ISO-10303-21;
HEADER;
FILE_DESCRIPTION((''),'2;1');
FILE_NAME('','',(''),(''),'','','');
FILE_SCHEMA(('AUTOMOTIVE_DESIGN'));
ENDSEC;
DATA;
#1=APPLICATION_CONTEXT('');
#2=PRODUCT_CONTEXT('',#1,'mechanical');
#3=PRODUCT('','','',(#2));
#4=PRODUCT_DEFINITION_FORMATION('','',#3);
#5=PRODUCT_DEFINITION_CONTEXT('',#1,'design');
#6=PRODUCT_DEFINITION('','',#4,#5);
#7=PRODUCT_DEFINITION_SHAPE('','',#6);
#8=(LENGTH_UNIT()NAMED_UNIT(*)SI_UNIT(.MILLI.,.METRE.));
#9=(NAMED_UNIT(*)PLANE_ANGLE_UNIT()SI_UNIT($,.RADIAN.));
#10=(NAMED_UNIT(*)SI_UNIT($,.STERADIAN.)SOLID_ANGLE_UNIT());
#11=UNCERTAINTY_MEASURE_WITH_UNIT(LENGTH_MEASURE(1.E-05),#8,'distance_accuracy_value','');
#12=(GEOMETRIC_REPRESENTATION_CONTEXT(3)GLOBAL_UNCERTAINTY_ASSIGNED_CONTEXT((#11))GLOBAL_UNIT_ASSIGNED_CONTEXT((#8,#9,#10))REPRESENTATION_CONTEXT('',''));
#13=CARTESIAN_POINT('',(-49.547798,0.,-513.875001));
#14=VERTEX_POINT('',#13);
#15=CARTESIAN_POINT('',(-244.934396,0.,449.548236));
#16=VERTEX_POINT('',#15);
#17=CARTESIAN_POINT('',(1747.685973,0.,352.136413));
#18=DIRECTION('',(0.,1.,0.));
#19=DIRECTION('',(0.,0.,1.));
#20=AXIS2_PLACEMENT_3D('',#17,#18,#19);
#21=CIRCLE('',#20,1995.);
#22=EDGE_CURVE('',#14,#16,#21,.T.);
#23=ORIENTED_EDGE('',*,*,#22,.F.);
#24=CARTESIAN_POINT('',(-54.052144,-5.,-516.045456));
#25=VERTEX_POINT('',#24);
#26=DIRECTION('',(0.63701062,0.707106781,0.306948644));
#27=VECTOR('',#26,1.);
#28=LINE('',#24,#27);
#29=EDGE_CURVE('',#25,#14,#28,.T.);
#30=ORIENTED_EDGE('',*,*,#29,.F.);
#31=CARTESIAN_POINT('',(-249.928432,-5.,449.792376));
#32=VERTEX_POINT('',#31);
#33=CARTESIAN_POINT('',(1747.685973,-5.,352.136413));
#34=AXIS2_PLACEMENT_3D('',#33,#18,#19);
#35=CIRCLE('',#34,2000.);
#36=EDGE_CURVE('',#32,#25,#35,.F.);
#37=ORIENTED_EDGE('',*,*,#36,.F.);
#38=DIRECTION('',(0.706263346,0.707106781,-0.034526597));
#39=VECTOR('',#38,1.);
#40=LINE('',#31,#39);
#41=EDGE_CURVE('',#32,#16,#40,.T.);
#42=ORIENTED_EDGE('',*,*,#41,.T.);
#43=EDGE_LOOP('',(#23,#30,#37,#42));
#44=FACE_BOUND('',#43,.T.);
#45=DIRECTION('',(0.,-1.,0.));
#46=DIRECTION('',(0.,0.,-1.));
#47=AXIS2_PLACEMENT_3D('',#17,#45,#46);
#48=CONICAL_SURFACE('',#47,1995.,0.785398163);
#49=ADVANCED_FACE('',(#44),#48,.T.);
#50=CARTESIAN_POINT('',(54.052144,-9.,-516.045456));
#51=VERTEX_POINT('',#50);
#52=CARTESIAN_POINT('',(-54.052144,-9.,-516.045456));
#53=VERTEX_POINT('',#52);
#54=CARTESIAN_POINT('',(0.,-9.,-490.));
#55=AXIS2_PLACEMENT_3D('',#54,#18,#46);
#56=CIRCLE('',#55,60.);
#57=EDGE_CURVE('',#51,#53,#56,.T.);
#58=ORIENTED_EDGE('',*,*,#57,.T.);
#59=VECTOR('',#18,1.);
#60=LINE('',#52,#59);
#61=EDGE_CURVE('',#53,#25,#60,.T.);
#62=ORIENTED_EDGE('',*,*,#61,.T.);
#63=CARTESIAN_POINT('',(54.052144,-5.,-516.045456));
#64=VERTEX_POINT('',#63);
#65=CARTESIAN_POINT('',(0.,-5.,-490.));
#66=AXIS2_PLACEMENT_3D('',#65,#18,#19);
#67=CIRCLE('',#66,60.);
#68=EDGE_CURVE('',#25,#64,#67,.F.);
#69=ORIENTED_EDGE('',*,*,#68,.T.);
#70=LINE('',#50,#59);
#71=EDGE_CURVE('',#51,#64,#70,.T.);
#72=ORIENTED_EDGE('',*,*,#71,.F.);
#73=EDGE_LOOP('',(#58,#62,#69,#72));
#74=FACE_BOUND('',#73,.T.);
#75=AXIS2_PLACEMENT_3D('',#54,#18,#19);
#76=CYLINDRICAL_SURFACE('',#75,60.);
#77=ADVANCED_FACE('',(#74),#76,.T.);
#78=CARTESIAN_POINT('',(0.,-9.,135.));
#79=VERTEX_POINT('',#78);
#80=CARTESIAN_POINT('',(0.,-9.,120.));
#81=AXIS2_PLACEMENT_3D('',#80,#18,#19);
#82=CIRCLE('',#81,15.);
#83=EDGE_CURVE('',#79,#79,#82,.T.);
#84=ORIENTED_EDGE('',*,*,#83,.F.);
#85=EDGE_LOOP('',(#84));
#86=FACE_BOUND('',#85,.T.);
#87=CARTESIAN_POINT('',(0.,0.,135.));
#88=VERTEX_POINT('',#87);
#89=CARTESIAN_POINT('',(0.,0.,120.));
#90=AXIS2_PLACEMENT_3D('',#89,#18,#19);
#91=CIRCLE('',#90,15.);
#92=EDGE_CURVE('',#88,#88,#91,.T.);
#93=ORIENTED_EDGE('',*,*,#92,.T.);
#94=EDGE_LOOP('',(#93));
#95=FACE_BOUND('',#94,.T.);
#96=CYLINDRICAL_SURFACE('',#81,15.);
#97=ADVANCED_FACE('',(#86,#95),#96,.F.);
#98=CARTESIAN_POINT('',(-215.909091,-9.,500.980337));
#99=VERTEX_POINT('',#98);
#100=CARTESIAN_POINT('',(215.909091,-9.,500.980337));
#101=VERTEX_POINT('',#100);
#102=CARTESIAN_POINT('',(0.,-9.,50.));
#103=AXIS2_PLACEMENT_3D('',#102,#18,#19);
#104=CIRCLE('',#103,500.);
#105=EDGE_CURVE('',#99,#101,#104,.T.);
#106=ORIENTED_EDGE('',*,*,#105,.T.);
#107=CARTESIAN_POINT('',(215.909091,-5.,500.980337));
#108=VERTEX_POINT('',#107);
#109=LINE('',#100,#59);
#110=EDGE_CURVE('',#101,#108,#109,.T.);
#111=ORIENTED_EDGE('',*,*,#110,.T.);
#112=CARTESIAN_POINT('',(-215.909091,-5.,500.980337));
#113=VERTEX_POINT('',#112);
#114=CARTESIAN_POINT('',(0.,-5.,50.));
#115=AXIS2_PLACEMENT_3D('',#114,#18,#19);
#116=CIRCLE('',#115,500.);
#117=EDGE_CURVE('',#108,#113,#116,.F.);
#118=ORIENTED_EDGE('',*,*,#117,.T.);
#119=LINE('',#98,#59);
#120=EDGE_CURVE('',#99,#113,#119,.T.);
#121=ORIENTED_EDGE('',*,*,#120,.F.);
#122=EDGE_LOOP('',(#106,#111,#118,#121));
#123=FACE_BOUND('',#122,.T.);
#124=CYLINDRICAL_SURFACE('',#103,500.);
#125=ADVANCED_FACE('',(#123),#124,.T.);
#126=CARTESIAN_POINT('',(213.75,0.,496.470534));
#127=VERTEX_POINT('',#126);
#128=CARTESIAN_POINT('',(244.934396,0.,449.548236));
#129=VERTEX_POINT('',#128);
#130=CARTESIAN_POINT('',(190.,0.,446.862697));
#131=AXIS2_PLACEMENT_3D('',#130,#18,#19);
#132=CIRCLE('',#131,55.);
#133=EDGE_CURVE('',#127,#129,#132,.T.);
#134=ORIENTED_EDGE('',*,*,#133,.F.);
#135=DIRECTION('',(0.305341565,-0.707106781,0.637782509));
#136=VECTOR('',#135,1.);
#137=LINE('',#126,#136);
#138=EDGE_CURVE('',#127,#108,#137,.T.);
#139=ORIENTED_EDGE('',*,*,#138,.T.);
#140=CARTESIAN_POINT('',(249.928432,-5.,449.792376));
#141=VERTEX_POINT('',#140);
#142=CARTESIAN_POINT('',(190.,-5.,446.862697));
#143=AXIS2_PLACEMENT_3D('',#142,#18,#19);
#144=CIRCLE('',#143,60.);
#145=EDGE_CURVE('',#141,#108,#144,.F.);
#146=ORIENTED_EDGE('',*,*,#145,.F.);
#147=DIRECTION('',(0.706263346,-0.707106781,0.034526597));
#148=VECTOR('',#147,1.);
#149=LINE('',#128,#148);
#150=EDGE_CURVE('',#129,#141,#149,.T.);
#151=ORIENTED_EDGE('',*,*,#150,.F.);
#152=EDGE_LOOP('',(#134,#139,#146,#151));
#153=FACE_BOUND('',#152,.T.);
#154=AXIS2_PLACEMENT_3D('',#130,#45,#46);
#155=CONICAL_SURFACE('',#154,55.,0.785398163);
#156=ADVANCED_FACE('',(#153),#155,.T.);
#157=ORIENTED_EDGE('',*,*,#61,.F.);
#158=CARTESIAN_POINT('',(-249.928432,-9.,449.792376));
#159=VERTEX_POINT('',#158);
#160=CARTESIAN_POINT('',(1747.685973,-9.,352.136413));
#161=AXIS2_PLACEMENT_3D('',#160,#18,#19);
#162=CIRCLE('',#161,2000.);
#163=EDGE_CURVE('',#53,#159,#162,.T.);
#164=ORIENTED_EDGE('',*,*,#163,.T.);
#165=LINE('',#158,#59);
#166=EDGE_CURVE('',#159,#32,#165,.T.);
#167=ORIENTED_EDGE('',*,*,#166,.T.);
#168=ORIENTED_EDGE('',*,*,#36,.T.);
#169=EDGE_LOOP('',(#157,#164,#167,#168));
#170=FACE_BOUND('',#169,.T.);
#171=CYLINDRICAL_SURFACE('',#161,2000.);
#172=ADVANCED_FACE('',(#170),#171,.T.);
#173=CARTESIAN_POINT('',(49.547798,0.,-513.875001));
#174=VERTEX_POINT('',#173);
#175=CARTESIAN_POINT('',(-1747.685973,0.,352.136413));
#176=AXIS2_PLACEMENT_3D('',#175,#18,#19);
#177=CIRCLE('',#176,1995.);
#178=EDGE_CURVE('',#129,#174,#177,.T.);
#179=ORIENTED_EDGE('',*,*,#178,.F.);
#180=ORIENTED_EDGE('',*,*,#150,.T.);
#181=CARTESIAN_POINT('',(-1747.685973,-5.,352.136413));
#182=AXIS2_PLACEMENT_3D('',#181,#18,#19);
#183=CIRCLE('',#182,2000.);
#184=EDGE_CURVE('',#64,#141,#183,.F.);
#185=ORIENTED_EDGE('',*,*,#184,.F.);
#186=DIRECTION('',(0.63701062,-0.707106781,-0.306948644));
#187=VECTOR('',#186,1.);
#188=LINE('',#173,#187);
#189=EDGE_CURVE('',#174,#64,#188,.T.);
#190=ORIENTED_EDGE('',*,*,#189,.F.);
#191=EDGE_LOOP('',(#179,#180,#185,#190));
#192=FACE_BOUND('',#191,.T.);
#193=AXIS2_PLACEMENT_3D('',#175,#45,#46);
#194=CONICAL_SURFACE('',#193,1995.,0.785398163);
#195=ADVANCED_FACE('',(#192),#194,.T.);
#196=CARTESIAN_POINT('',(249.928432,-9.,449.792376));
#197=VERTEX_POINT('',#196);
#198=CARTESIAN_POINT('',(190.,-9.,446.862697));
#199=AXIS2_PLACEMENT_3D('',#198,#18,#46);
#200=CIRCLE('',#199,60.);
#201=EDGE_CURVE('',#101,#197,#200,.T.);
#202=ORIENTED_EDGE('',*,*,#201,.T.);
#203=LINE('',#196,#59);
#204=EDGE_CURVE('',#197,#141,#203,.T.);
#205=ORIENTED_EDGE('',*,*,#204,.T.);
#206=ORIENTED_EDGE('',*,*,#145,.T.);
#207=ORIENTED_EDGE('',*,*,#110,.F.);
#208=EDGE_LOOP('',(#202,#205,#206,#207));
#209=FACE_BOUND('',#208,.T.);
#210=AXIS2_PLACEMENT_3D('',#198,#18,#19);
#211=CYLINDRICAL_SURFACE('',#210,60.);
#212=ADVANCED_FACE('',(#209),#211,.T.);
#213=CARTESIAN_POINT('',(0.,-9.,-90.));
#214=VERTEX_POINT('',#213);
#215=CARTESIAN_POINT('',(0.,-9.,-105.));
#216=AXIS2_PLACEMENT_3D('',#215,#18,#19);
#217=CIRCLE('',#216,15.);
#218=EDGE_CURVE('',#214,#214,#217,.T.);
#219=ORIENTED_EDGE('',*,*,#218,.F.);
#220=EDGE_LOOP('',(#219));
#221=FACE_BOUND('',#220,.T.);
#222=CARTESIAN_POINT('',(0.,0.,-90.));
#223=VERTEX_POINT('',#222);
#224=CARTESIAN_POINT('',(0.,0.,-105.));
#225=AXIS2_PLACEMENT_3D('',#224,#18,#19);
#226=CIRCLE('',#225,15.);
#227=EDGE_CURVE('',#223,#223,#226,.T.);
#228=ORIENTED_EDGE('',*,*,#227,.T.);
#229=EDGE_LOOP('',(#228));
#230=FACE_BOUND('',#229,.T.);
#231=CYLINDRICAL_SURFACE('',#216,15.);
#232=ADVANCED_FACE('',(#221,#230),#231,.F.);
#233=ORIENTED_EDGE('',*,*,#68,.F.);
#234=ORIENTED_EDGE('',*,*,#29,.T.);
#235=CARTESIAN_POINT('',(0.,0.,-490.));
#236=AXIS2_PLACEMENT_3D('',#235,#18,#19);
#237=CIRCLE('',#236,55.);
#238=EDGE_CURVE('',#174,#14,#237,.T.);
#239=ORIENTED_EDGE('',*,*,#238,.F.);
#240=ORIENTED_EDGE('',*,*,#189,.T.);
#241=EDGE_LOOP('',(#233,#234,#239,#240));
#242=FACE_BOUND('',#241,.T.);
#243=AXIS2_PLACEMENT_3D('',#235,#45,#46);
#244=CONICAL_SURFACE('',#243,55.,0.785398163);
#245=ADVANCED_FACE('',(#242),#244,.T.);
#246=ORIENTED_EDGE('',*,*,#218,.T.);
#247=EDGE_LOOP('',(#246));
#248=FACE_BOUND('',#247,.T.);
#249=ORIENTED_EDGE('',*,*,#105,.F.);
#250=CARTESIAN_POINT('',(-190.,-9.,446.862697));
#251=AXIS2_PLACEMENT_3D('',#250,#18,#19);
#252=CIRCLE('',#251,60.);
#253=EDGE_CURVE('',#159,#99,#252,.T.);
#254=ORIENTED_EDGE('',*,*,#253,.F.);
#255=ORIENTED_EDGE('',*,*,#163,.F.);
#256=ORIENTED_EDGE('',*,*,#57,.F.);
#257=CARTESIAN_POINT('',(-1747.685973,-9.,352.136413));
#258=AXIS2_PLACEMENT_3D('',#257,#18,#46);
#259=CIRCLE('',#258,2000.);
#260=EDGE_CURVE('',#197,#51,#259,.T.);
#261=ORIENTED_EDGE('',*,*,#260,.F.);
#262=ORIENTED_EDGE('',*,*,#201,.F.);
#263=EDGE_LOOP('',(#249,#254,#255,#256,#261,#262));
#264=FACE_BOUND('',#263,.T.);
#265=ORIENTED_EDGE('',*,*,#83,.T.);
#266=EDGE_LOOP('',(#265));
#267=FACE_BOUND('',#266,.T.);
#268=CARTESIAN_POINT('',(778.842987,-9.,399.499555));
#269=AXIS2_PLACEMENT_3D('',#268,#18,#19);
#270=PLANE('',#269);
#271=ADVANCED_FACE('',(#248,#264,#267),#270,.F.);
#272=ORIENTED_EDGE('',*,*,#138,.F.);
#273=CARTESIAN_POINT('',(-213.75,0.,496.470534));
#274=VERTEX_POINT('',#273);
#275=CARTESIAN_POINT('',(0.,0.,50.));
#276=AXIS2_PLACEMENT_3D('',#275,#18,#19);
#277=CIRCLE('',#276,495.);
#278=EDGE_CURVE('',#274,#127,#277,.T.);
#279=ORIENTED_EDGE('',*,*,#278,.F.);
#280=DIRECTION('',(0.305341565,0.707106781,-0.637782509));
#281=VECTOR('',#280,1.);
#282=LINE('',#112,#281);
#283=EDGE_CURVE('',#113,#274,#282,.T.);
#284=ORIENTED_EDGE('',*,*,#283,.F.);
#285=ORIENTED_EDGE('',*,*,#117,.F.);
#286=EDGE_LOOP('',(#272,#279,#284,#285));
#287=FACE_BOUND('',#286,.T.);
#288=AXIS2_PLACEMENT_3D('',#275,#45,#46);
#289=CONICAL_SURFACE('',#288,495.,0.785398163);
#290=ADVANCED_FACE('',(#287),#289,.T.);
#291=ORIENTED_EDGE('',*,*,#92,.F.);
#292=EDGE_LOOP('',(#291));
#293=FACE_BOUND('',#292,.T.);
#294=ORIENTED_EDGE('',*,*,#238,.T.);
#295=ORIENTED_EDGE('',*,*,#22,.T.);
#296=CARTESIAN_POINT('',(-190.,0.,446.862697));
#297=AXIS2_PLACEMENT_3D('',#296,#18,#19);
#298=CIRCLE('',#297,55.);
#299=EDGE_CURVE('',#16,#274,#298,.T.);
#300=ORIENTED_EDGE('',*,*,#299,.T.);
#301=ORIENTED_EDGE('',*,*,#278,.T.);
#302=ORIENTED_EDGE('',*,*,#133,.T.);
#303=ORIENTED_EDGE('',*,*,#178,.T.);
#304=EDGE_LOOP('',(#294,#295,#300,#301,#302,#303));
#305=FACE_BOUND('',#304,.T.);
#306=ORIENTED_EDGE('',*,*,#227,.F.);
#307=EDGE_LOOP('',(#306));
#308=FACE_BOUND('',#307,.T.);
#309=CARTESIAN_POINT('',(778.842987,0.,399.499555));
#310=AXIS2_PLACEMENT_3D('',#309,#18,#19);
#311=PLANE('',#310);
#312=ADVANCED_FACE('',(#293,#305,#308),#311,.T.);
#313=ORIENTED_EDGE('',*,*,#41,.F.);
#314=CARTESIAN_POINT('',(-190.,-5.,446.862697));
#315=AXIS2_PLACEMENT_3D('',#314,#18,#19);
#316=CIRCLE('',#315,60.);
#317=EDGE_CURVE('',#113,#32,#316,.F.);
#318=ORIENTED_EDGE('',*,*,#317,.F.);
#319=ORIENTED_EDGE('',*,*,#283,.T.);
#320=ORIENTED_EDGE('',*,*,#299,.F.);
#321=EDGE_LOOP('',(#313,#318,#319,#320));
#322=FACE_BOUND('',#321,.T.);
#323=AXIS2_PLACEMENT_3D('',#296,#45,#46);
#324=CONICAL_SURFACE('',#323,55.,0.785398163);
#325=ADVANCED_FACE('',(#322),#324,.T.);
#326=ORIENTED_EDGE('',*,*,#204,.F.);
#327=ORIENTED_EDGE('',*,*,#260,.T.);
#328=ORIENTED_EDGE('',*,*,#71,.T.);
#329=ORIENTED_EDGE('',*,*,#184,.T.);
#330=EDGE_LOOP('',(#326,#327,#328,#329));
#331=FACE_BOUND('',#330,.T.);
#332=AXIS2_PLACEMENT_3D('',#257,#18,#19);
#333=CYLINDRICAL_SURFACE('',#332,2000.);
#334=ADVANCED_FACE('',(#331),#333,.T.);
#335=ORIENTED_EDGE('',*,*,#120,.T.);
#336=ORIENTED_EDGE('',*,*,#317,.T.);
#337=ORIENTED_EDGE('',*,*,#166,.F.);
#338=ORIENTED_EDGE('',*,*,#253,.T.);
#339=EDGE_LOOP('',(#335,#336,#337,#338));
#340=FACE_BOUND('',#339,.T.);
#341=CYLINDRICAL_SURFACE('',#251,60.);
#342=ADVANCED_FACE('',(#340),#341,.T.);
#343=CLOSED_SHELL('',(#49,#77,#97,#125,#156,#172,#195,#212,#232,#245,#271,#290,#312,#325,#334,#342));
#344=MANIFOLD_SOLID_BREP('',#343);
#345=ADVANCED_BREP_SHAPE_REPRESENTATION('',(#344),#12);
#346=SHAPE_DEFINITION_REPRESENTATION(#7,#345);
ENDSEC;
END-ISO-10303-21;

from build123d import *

# Parameters (mm, degrees)
BOSS_EXTRUDE1_DEPTH = 9
CHAMFER1_SIZE       = 5
SKETCH2_R           = 15
CUT_EXTRUDE1_DEPTH  = 606.180442557


with BuildPart() as part:
    # Sketch1 → Boss-Extrude1 (new body)
    with BuildSketch(Plane(origin=(0, 0, 0), x_dir=(1, 0, 0), z_dir=(0, 1, 0))):
        with BuildLine():
            ThreePointArc((-54.052143505, 516.045456082), (0, 550), (54.052143505, 516.045456082))
            ThreePointArc((54.052143505, 516.045456082), (212.411110101, 45.380156813), (249.928432165, -449.792375526))
            ThreePointArc((249.928432165, -449.792375526), (239.970710869, -480.073057321), (215.909090909, -500.980337113))
            ThreePointArc((215.909090909, -500.980337113), (0, -550), (-215.909090909, -500.980337113))
            ThreePointArc((-215.909090909, -500.980337113), (-239.970710869, -480.073057321), (-249.928432165, -449.792375526))
            ThreePointArc((-249.928432165, -449.792375526), (-212.411110101, 45.380156813), (-54.052143505, 516.045456082))
        make_face()
    extrude(amount=-BOSS_EXTRUDE1_DEPTH)

    # Chamfer1
    chamfer1_edges = [part.edges().sort_by_distance(p)[0] for p in [
        (0, 0, -550),
        (212.411110101, 0, -45.380156813),
        (239.970710869, 0, 480.073057321),
        (0, 0, 550),
        (-239.970710869, 0, 480.073057321),
        (-212.411110101, 0, -45.380156813),
    ]]
    chamfer(chamfer1_edges, length=CHAMFER1_SIZE)

    # Sketch2 → Cut-Extrude1 (cut, through all)
    with BuildSketch(Plane(origin=(0, 0, 0), x_dir=(1, 0, 0), z_dir=(0, 1, 0))):
        with Locations(Location((0, 105, 0), (0, 0, 270))):
            Circle(SKETCH2_R)
        with Locations(Location((0, -120, 0), (0, 0, 270))):
            Circle(SKETCH2_R)
    extrude(amount=-CUT_EXTRUDE1_DEPTH, mode=Mode.SUBTRACT)


solid = part.part
